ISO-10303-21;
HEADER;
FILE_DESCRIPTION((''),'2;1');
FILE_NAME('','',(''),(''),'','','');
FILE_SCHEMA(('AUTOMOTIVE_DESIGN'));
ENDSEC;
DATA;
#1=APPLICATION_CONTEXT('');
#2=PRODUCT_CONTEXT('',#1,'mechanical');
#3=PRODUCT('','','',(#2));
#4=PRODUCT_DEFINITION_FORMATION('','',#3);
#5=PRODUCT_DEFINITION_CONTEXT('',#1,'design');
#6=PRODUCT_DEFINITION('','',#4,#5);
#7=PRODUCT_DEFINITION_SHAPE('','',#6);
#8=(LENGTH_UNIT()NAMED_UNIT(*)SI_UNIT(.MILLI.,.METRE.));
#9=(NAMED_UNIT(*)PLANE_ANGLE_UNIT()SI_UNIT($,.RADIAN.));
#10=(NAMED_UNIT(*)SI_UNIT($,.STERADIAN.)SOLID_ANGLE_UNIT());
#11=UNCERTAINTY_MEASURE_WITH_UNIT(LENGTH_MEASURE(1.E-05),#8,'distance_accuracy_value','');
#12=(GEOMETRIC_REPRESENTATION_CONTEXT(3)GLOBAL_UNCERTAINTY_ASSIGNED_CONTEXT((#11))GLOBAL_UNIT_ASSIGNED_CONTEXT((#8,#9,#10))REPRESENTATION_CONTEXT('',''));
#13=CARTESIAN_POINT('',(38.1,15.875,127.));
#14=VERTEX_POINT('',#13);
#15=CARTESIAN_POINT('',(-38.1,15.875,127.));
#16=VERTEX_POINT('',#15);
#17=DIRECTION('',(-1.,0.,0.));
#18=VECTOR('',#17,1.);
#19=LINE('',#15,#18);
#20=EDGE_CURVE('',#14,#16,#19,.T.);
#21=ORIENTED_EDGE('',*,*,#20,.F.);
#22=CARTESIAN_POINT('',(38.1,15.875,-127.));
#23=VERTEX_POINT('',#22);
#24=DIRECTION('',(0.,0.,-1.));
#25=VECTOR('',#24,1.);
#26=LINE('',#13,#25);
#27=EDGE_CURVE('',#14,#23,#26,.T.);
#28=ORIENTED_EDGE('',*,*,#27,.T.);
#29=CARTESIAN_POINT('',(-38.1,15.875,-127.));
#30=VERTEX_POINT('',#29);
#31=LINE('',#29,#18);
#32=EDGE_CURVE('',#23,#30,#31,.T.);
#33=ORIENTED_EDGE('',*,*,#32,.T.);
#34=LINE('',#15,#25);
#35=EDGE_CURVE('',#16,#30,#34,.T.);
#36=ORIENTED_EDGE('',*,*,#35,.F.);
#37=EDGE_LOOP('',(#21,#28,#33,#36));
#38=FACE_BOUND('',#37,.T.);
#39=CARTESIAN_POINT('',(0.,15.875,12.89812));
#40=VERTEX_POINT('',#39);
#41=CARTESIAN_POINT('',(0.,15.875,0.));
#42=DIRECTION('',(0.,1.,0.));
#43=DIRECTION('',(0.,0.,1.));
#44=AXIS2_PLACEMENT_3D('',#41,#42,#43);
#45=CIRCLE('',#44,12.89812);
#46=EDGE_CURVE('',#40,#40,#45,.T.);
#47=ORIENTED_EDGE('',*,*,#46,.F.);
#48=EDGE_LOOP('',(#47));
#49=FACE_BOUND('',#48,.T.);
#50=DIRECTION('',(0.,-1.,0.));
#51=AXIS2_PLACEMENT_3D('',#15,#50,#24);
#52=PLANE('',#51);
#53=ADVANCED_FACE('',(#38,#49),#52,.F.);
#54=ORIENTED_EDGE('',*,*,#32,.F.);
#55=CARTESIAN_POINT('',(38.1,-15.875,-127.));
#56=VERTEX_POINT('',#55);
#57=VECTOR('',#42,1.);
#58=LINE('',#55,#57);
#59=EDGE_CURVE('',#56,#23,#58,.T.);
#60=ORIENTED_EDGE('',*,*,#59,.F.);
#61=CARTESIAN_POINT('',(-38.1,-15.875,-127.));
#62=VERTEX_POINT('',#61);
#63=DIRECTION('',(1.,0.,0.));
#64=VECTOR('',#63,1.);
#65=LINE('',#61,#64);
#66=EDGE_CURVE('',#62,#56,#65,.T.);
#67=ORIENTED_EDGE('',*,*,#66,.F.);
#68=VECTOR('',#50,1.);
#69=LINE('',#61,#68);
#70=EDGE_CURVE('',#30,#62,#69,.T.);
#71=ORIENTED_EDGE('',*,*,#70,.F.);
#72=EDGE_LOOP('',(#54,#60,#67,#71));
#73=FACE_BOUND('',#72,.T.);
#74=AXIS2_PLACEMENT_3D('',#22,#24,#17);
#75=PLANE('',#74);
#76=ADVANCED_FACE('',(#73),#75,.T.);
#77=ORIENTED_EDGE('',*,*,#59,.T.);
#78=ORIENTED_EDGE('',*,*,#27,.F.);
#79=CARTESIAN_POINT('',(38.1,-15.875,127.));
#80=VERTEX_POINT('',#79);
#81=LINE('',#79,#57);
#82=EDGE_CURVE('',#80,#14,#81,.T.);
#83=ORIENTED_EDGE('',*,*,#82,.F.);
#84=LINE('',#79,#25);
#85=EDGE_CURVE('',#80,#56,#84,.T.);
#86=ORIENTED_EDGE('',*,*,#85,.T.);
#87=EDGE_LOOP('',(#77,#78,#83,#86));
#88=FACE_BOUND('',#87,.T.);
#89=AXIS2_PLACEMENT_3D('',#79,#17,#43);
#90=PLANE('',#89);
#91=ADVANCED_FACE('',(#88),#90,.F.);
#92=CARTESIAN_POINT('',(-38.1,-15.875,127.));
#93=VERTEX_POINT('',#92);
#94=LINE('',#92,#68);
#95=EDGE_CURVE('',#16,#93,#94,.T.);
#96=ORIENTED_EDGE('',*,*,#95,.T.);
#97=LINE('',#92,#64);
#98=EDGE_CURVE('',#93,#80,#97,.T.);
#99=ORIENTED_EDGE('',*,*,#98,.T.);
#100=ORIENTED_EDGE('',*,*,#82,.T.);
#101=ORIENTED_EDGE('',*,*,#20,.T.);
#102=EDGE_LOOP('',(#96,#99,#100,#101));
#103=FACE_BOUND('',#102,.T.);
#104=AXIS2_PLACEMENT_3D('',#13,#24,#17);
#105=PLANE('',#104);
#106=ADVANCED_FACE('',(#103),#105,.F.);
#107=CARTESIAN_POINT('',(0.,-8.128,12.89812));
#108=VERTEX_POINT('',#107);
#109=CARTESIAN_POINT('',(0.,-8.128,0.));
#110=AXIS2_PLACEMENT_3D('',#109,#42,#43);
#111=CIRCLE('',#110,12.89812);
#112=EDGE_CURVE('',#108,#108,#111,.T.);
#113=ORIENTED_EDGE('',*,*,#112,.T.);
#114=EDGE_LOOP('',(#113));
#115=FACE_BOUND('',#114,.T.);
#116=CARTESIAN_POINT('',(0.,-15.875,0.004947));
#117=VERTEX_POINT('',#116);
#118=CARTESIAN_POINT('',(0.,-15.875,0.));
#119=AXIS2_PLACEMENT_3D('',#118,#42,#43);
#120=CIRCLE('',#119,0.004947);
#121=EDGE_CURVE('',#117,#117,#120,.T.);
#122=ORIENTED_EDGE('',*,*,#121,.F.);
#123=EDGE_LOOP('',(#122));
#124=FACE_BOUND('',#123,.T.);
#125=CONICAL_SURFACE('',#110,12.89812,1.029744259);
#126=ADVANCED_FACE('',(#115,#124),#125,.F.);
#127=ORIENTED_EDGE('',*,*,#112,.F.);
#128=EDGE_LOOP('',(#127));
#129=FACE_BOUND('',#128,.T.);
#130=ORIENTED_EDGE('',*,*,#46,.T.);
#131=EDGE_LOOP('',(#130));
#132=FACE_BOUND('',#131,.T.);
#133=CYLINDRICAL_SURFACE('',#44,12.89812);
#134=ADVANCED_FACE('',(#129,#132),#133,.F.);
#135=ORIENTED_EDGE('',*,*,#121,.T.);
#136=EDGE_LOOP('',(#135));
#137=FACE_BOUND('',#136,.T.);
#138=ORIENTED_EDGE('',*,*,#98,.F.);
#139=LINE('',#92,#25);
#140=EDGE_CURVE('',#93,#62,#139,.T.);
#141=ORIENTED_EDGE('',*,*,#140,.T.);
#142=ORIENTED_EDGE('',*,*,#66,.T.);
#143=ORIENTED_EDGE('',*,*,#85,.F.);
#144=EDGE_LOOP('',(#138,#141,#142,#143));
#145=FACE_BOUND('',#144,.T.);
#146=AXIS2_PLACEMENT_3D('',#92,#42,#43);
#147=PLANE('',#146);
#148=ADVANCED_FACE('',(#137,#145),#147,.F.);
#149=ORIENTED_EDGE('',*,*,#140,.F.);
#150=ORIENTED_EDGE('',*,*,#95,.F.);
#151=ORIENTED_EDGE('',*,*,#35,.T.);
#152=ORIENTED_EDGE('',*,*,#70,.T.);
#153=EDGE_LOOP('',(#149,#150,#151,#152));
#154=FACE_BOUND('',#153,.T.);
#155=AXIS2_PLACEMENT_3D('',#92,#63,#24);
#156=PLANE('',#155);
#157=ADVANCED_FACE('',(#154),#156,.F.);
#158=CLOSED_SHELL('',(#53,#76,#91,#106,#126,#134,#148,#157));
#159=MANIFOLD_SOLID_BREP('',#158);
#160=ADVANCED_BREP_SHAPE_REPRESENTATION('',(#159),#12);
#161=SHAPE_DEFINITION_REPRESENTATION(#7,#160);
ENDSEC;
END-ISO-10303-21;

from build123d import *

# Parameters (mm, degrees)
SKETCH1_W                 = 76.2
SKETCH1_H                 = 31.75
BOSS_EXTRUDE1_DEPTH       = 127
F_1_CLEARANCE_HOLE1_D     = 25.79624
F_1_CLEARANCE_HOLE1_DEPTH = 24.003
F_1_CLEARANCE_HOLE1_TIP   = 7.749972367


with BuildPart() as part:
    # Sketch1 → Boss-Extrude1 (new body, symmetric)
    with BuildSketch(Plane.XY):
        Rectangle(SKETCH1_W, SKETCH1_H)
    extrude(amount=BOSS_EXTRUDE1_DEPTH, both=True)

    # 1 Clearance Hole1
    with Locations(Plane(origin=(0, 15.875, 0), x_dir=(-1, 0, 0), z_dir=(0, 1, 0))):
        with Locations((0, 0)):
            Hole(F_1_CLEARANCE_HOLE1_D / 2, depth=F_1_CLEARANCE_HOLE1_DEPTH)
            with Locations((0, 0, -(F_1_CLEARANCE_HOLE1_DEPTH + F_1_CLEARANCE_HOLE1_TIP / 2))):  # 118° drill point
                Cone(0, F_1_CLEARANCE_HOLE1_D / 2, F_1_CLEARANCE_HOLE1_TIP, mode=Mode.SUBTRACT)


solid = part.part
